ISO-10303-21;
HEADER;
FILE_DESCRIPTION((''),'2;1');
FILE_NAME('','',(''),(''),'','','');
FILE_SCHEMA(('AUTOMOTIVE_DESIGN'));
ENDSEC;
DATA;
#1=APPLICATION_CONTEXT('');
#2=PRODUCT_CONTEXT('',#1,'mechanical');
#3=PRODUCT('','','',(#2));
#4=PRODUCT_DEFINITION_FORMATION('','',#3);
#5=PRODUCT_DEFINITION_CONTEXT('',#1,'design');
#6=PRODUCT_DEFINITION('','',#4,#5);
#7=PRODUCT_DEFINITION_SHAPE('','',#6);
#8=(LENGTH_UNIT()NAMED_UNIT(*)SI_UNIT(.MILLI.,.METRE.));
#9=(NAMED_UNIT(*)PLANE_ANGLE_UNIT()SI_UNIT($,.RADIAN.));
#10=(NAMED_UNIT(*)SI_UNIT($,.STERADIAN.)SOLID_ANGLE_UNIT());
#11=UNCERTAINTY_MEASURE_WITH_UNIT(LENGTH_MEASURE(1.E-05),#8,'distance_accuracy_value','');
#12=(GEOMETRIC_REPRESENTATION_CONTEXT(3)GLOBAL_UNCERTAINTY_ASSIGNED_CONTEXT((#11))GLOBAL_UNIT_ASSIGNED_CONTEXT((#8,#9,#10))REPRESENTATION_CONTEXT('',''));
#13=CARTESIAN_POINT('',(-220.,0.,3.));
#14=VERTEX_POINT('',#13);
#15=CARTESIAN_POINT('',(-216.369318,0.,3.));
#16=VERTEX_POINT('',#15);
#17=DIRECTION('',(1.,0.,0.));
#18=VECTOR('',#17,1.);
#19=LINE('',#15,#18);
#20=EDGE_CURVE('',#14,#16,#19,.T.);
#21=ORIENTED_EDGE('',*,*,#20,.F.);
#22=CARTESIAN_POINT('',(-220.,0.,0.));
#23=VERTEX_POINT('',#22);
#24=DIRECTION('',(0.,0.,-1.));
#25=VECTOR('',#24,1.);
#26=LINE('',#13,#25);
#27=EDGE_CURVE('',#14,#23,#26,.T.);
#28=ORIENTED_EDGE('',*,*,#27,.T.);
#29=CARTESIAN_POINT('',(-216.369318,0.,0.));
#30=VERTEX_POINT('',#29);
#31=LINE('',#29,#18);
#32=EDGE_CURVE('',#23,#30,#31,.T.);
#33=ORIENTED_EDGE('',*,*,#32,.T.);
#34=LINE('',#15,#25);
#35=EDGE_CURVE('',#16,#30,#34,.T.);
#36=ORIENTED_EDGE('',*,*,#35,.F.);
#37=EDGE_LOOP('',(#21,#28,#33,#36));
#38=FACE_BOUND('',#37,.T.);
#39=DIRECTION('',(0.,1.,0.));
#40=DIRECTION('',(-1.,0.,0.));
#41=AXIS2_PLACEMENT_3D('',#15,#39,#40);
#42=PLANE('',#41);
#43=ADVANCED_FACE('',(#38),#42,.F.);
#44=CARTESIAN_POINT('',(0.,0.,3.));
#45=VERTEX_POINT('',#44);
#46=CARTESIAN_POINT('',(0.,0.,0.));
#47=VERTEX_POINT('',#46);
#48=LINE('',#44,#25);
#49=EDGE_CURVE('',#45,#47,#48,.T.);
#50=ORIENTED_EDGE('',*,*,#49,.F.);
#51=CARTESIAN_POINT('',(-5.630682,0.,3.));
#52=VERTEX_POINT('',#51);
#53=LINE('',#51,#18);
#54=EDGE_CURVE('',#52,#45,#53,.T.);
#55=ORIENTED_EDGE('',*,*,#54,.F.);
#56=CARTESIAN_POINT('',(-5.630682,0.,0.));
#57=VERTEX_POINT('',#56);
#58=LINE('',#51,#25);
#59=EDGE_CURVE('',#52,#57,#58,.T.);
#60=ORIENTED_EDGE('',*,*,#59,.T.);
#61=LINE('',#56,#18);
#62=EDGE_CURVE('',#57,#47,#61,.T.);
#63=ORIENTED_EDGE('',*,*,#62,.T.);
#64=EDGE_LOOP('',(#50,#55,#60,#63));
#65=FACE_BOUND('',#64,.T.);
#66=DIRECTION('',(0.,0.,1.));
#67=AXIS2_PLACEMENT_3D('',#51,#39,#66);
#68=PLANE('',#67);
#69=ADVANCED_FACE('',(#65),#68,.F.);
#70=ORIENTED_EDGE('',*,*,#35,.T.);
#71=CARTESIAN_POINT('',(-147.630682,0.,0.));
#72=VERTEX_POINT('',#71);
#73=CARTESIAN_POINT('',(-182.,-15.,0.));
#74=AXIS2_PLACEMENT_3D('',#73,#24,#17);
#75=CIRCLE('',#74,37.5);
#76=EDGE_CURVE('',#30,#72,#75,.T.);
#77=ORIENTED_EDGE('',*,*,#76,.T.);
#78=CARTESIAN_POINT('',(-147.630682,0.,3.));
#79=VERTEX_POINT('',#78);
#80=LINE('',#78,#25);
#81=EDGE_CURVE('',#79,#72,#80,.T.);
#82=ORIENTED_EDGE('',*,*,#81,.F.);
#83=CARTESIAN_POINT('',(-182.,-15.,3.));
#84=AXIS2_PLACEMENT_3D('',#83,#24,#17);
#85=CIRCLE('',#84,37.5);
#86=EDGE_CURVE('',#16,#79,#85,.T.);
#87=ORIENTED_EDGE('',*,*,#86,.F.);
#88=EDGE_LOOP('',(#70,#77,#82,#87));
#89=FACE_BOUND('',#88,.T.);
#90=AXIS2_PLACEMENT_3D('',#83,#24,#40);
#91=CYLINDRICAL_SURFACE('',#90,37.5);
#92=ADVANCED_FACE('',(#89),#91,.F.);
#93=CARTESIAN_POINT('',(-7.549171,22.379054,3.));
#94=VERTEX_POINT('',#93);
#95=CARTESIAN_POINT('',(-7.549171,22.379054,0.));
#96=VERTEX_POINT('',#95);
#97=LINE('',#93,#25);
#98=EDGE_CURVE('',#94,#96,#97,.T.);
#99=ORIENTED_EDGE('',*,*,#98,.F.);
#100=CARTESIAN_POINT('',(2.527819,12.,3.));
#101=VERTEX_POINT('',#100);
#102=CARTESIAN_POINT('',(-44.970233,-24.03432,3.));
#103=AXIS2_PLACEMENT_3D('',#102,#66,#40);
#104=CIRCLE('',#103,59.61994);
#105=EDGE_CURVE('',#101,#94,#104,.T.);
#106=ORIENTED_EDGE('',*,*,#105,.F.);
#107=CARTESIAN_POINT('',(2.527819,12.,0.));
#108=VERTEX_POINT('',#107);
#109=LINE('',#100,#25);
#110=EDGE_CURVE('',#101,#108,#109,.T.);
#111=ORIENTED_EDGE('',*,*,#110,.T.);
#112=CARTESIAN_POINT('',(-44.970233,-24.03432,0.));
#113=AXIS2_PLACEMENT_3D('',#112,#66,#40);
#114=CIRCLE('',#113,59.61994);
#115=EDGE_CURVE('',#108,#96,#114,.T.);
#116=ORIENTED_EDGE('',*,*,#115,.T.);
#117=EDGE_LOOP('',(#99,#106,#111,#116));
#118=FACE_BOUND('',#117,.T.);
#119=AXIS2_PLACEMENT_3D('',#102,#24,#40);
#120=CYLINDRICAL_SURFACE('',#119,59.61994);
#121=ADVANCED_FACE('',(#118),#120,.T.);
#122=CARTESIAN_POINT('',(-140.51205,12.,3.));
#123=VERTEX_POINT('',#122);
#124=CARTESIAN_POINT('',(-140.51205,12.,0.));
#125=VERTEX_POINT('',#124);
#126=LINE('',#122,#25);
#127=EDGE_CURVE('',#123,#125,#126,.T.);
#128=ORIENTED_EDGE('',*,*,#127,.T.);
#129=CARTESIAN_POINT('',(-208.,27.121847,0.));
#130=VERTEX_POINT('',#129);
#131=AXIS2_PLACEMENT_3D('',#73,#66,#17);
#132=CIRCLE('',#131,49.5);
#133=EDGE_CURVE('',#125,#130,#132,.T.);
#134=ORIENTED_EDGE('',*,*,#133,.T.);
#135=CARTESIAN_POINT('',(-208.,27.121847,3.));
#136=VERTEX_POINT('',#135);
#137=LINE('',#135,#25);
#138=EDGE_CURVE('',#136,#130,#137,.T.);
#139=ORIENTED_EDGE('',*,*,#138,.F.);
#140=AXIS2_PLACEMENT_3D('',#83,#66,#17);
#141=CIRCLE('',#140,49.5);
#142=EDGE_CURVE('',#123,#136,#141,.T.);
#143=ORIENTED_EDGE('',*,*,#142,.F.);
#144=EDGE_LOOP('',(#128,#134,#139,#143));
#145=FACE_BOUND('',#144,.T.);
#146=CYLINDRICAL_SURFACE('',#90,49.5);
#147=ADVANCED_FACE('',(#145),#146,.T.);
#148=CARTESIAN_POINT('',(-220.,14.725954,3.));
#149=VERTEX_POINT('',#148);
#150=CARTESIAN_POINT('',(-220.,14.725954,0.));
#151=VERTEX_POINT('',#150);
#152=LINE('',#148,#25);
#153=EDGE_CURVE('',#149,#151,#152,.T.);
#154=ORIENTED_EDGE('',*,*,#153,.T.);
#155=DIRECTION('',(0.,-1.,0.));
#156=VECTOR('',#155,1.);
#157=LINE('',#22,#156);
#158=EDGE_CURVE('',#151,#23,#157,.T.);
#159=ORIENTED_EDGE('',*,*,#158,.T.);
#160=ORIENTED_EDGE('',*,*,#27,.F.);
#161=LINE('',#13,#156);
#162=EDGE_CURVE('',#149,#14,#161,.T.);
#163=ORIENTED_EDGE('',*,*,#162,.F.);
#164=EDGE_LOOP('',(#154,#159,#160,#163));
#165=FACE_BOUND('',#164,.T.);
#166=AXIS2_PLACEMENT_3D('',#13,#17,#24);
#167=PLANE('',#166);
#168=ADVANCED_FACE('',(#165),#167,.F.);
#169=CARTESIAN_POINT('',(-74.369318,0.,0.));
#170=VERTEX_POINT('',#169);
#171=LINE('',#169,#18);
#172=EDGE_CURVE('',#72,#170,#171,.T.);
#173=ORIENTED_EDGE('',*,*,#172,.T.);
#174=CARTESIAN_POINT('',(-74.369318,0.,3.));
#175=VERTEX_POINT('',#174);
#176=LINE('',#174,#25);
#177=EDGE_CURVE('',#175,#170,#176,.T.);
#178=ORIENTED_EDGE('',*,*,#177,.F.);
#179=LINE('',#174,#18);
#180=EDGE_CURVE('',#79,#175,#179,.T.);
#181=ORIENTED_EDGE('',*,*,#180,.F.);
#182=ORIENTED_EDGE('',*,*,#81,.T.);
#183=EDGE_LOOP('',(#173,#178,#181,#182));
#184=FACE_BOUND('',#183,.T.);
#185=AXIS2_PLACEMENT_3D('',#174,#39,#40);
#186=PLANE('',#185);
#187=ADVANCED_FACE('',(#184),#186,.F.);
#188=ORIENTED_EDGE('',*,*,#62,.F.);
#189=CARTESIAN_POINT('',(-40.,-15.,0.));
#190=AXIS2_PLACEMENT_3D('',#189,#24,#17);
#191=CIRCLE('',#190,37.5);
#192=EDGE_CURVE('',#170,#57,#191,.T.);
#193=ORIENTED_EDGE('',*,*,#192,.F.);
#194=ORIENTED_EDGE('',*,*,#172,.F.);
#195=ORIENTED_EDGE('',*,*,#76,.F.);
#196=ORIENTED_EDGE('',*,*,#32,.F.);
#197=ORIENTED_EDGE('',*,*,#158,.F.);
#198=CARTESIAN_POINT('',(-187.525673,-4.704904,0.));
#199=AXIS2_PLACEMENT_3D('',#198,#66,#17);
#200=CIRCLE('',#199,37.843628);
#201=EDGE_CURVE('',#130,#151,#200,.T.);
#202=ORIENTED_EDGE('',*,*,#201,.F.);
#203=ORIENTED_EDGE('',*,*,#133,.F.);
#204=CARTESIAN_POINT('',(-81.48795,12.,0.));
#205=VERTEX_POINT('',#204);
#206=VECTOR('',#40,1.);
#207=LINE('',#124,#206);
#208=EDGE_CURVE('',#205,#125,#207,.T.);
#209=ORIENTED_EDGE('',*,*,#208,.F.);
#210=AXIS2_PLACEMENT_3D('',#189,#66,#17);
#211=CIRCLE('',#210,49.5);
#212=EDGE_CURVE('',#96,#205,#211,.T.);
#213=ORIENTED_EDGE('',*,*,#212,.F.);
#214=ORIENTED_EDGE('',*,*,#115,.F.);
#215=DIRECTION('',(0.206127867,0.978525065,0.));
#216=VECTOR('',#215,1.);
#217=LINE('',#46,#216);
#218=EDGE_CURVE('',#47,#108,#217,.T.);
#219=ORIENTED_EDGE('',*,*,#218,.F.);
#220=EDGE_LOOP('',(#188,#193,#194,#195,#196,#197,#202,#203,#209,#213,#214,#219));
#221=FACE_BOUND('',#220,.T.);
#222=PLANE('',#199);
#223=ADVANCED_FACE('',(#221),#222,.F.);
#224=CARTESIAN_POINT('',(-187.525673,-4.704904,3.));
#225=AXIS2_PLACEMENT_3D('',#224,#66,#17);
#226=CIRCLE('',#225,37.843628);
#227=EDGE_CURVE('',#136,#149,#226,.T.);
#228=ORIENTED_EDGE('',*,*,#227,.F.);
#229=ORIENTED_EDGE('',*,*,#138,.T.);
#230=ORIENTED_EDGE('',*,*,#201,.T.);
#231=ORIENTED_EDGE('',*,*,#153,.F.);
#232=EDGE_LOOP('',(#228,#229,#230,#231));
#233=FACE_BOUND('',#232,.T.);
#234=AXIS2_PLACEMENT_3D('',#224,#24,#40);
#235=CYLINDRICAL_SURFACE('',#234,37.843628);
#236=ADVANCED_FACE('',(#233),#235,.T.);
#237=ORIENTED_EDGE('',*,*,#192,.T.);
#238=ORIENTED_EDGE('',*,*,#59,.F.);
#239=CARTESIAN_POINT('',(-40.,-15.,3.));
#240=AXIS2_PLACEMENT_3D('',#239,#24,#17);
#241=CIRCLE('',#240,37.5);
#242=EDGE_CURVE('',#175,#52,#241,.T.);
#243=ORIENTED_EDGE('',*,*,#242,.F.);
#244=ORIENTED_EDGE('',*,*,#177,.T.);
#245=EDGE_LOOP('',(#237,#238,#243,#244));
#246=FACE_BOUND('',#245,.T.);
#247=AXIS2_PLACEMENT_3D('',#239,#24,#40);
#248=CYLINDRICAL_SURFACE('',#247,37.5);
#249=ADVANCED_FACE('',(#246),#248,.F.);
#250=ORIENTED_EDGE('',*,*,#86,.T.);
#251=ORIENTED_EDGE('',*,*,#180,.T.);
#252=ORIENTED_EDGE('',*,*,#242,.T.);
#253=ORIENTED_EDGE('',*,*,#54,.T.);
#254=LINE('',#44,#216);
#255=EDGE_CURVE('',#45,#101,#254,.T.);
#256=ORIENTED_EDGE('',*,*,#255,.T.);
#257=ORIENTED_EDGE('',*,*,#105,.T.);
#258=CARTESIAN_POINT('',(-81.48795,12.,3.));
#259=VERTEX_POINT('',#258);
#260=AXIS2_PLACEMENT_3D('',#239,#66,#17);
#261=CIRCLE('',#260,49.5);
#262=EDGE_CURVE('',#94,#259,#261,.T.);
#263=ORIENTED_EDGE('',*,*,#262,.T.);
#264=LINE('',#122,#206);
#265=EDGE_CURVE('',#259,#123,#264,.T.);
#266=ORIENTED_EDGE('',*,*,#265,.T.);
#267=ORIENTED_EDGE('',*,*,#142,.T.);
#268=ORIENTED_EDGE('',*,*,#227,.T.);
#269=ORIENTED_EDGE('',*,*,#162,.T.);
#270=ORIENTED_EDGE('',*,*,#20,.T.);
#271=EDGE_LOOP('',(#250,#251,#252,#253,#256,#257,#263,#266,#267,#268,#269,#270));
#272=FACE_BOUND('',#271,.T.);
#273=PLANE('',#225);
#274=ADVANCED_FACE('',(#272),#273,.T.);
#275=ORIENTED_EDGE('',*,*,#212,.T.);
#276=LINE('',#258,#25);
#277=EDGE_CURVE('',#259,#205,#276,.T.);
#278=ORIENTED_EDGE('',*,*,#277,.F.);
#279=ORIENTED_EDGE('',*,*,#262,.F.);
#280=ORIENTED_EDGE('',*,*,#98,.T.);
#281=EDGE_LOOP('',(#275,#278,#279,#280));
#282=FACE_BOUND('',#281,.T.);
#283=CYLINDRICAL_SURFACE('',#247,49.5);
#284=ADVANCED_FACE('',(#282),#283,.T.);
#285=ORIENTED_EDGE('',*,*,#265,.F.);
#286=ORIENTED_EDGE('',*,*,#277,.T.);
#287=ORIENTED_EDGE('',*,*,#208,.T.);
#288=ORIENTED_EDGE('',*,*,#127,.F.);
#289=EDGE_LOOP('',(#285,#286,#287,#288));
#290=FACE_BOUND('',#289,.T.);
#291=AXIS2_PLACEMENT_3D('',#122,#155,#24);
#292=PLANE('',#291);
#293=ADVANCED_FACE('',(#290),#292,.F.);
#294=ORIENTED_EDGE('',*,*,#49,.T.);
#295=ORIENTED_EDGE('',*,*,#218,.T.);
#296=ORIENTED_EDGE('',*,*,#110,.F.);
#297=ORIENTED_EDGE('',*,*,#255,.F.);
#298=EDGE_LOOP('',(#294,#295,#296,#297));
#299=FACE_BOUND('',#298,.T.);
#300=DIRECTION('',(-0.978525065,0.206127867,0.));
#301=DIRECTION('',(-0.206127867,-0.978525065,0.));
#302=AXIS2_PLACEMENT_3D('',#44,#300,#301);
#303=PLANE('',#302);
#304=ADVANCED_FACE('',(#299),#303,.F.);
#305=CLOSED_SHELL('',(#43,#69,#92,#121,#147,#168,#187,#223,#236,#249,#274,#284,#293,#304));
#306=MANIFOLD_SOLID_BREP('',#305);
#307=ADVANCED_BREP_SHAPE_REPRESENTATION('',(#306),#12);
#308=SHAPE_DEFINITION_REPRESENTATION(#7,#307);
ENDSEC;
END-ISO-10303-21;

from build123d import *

# Parameters (mm, degrees)
BOSS_EXTRUDE1_DEPTH = 3


with BuildPart() as part:
    # Sketch1 → Boss-Extrude1 (new body)
    with BuildSketch(Plane.XY):
        with BuildLine():
            Line((-5.630682288, 0), (0, 0))
            Line((0, 0), (2.527819158, 12))
            ThreePointArc((2.527819158, 12), (-2.1947123, 17.496295373), (-7.549171204, 22.379054435))
            ThreePointArc((-7.549171204, 22.379054435), (-46.881030658, 34.019398375), (-81.487950058, 12))
            Line((-81.487950058, 12), (-140.512049942, 12))
            ThreePointArc((-140.512049942, 12), (-171.177028416, 33.302311395), (-208, 27.121847063))
            ThreePointArc((-208, 27.121847063), (-214.715828047, 21.616866872), (-220, 14.725954012))
            Line((-220, 14.725954012), (-220, 0))
            Line((-220, 0), (-216.369317712, 0))
            ThreePointArc((-216.369317712, 0), (-182, 22.5), (-147.630682288, 0))
            Line((-147.630682288, 0), (-74.369317712, 0))
            ThreePointArc((-74.369317712, 0), (-40, 22.5), (-5.630682288, 0))
        make_face()
    extrude(amount=BOSS_EXTRUDE1_DEPTH)


solid = part.part
